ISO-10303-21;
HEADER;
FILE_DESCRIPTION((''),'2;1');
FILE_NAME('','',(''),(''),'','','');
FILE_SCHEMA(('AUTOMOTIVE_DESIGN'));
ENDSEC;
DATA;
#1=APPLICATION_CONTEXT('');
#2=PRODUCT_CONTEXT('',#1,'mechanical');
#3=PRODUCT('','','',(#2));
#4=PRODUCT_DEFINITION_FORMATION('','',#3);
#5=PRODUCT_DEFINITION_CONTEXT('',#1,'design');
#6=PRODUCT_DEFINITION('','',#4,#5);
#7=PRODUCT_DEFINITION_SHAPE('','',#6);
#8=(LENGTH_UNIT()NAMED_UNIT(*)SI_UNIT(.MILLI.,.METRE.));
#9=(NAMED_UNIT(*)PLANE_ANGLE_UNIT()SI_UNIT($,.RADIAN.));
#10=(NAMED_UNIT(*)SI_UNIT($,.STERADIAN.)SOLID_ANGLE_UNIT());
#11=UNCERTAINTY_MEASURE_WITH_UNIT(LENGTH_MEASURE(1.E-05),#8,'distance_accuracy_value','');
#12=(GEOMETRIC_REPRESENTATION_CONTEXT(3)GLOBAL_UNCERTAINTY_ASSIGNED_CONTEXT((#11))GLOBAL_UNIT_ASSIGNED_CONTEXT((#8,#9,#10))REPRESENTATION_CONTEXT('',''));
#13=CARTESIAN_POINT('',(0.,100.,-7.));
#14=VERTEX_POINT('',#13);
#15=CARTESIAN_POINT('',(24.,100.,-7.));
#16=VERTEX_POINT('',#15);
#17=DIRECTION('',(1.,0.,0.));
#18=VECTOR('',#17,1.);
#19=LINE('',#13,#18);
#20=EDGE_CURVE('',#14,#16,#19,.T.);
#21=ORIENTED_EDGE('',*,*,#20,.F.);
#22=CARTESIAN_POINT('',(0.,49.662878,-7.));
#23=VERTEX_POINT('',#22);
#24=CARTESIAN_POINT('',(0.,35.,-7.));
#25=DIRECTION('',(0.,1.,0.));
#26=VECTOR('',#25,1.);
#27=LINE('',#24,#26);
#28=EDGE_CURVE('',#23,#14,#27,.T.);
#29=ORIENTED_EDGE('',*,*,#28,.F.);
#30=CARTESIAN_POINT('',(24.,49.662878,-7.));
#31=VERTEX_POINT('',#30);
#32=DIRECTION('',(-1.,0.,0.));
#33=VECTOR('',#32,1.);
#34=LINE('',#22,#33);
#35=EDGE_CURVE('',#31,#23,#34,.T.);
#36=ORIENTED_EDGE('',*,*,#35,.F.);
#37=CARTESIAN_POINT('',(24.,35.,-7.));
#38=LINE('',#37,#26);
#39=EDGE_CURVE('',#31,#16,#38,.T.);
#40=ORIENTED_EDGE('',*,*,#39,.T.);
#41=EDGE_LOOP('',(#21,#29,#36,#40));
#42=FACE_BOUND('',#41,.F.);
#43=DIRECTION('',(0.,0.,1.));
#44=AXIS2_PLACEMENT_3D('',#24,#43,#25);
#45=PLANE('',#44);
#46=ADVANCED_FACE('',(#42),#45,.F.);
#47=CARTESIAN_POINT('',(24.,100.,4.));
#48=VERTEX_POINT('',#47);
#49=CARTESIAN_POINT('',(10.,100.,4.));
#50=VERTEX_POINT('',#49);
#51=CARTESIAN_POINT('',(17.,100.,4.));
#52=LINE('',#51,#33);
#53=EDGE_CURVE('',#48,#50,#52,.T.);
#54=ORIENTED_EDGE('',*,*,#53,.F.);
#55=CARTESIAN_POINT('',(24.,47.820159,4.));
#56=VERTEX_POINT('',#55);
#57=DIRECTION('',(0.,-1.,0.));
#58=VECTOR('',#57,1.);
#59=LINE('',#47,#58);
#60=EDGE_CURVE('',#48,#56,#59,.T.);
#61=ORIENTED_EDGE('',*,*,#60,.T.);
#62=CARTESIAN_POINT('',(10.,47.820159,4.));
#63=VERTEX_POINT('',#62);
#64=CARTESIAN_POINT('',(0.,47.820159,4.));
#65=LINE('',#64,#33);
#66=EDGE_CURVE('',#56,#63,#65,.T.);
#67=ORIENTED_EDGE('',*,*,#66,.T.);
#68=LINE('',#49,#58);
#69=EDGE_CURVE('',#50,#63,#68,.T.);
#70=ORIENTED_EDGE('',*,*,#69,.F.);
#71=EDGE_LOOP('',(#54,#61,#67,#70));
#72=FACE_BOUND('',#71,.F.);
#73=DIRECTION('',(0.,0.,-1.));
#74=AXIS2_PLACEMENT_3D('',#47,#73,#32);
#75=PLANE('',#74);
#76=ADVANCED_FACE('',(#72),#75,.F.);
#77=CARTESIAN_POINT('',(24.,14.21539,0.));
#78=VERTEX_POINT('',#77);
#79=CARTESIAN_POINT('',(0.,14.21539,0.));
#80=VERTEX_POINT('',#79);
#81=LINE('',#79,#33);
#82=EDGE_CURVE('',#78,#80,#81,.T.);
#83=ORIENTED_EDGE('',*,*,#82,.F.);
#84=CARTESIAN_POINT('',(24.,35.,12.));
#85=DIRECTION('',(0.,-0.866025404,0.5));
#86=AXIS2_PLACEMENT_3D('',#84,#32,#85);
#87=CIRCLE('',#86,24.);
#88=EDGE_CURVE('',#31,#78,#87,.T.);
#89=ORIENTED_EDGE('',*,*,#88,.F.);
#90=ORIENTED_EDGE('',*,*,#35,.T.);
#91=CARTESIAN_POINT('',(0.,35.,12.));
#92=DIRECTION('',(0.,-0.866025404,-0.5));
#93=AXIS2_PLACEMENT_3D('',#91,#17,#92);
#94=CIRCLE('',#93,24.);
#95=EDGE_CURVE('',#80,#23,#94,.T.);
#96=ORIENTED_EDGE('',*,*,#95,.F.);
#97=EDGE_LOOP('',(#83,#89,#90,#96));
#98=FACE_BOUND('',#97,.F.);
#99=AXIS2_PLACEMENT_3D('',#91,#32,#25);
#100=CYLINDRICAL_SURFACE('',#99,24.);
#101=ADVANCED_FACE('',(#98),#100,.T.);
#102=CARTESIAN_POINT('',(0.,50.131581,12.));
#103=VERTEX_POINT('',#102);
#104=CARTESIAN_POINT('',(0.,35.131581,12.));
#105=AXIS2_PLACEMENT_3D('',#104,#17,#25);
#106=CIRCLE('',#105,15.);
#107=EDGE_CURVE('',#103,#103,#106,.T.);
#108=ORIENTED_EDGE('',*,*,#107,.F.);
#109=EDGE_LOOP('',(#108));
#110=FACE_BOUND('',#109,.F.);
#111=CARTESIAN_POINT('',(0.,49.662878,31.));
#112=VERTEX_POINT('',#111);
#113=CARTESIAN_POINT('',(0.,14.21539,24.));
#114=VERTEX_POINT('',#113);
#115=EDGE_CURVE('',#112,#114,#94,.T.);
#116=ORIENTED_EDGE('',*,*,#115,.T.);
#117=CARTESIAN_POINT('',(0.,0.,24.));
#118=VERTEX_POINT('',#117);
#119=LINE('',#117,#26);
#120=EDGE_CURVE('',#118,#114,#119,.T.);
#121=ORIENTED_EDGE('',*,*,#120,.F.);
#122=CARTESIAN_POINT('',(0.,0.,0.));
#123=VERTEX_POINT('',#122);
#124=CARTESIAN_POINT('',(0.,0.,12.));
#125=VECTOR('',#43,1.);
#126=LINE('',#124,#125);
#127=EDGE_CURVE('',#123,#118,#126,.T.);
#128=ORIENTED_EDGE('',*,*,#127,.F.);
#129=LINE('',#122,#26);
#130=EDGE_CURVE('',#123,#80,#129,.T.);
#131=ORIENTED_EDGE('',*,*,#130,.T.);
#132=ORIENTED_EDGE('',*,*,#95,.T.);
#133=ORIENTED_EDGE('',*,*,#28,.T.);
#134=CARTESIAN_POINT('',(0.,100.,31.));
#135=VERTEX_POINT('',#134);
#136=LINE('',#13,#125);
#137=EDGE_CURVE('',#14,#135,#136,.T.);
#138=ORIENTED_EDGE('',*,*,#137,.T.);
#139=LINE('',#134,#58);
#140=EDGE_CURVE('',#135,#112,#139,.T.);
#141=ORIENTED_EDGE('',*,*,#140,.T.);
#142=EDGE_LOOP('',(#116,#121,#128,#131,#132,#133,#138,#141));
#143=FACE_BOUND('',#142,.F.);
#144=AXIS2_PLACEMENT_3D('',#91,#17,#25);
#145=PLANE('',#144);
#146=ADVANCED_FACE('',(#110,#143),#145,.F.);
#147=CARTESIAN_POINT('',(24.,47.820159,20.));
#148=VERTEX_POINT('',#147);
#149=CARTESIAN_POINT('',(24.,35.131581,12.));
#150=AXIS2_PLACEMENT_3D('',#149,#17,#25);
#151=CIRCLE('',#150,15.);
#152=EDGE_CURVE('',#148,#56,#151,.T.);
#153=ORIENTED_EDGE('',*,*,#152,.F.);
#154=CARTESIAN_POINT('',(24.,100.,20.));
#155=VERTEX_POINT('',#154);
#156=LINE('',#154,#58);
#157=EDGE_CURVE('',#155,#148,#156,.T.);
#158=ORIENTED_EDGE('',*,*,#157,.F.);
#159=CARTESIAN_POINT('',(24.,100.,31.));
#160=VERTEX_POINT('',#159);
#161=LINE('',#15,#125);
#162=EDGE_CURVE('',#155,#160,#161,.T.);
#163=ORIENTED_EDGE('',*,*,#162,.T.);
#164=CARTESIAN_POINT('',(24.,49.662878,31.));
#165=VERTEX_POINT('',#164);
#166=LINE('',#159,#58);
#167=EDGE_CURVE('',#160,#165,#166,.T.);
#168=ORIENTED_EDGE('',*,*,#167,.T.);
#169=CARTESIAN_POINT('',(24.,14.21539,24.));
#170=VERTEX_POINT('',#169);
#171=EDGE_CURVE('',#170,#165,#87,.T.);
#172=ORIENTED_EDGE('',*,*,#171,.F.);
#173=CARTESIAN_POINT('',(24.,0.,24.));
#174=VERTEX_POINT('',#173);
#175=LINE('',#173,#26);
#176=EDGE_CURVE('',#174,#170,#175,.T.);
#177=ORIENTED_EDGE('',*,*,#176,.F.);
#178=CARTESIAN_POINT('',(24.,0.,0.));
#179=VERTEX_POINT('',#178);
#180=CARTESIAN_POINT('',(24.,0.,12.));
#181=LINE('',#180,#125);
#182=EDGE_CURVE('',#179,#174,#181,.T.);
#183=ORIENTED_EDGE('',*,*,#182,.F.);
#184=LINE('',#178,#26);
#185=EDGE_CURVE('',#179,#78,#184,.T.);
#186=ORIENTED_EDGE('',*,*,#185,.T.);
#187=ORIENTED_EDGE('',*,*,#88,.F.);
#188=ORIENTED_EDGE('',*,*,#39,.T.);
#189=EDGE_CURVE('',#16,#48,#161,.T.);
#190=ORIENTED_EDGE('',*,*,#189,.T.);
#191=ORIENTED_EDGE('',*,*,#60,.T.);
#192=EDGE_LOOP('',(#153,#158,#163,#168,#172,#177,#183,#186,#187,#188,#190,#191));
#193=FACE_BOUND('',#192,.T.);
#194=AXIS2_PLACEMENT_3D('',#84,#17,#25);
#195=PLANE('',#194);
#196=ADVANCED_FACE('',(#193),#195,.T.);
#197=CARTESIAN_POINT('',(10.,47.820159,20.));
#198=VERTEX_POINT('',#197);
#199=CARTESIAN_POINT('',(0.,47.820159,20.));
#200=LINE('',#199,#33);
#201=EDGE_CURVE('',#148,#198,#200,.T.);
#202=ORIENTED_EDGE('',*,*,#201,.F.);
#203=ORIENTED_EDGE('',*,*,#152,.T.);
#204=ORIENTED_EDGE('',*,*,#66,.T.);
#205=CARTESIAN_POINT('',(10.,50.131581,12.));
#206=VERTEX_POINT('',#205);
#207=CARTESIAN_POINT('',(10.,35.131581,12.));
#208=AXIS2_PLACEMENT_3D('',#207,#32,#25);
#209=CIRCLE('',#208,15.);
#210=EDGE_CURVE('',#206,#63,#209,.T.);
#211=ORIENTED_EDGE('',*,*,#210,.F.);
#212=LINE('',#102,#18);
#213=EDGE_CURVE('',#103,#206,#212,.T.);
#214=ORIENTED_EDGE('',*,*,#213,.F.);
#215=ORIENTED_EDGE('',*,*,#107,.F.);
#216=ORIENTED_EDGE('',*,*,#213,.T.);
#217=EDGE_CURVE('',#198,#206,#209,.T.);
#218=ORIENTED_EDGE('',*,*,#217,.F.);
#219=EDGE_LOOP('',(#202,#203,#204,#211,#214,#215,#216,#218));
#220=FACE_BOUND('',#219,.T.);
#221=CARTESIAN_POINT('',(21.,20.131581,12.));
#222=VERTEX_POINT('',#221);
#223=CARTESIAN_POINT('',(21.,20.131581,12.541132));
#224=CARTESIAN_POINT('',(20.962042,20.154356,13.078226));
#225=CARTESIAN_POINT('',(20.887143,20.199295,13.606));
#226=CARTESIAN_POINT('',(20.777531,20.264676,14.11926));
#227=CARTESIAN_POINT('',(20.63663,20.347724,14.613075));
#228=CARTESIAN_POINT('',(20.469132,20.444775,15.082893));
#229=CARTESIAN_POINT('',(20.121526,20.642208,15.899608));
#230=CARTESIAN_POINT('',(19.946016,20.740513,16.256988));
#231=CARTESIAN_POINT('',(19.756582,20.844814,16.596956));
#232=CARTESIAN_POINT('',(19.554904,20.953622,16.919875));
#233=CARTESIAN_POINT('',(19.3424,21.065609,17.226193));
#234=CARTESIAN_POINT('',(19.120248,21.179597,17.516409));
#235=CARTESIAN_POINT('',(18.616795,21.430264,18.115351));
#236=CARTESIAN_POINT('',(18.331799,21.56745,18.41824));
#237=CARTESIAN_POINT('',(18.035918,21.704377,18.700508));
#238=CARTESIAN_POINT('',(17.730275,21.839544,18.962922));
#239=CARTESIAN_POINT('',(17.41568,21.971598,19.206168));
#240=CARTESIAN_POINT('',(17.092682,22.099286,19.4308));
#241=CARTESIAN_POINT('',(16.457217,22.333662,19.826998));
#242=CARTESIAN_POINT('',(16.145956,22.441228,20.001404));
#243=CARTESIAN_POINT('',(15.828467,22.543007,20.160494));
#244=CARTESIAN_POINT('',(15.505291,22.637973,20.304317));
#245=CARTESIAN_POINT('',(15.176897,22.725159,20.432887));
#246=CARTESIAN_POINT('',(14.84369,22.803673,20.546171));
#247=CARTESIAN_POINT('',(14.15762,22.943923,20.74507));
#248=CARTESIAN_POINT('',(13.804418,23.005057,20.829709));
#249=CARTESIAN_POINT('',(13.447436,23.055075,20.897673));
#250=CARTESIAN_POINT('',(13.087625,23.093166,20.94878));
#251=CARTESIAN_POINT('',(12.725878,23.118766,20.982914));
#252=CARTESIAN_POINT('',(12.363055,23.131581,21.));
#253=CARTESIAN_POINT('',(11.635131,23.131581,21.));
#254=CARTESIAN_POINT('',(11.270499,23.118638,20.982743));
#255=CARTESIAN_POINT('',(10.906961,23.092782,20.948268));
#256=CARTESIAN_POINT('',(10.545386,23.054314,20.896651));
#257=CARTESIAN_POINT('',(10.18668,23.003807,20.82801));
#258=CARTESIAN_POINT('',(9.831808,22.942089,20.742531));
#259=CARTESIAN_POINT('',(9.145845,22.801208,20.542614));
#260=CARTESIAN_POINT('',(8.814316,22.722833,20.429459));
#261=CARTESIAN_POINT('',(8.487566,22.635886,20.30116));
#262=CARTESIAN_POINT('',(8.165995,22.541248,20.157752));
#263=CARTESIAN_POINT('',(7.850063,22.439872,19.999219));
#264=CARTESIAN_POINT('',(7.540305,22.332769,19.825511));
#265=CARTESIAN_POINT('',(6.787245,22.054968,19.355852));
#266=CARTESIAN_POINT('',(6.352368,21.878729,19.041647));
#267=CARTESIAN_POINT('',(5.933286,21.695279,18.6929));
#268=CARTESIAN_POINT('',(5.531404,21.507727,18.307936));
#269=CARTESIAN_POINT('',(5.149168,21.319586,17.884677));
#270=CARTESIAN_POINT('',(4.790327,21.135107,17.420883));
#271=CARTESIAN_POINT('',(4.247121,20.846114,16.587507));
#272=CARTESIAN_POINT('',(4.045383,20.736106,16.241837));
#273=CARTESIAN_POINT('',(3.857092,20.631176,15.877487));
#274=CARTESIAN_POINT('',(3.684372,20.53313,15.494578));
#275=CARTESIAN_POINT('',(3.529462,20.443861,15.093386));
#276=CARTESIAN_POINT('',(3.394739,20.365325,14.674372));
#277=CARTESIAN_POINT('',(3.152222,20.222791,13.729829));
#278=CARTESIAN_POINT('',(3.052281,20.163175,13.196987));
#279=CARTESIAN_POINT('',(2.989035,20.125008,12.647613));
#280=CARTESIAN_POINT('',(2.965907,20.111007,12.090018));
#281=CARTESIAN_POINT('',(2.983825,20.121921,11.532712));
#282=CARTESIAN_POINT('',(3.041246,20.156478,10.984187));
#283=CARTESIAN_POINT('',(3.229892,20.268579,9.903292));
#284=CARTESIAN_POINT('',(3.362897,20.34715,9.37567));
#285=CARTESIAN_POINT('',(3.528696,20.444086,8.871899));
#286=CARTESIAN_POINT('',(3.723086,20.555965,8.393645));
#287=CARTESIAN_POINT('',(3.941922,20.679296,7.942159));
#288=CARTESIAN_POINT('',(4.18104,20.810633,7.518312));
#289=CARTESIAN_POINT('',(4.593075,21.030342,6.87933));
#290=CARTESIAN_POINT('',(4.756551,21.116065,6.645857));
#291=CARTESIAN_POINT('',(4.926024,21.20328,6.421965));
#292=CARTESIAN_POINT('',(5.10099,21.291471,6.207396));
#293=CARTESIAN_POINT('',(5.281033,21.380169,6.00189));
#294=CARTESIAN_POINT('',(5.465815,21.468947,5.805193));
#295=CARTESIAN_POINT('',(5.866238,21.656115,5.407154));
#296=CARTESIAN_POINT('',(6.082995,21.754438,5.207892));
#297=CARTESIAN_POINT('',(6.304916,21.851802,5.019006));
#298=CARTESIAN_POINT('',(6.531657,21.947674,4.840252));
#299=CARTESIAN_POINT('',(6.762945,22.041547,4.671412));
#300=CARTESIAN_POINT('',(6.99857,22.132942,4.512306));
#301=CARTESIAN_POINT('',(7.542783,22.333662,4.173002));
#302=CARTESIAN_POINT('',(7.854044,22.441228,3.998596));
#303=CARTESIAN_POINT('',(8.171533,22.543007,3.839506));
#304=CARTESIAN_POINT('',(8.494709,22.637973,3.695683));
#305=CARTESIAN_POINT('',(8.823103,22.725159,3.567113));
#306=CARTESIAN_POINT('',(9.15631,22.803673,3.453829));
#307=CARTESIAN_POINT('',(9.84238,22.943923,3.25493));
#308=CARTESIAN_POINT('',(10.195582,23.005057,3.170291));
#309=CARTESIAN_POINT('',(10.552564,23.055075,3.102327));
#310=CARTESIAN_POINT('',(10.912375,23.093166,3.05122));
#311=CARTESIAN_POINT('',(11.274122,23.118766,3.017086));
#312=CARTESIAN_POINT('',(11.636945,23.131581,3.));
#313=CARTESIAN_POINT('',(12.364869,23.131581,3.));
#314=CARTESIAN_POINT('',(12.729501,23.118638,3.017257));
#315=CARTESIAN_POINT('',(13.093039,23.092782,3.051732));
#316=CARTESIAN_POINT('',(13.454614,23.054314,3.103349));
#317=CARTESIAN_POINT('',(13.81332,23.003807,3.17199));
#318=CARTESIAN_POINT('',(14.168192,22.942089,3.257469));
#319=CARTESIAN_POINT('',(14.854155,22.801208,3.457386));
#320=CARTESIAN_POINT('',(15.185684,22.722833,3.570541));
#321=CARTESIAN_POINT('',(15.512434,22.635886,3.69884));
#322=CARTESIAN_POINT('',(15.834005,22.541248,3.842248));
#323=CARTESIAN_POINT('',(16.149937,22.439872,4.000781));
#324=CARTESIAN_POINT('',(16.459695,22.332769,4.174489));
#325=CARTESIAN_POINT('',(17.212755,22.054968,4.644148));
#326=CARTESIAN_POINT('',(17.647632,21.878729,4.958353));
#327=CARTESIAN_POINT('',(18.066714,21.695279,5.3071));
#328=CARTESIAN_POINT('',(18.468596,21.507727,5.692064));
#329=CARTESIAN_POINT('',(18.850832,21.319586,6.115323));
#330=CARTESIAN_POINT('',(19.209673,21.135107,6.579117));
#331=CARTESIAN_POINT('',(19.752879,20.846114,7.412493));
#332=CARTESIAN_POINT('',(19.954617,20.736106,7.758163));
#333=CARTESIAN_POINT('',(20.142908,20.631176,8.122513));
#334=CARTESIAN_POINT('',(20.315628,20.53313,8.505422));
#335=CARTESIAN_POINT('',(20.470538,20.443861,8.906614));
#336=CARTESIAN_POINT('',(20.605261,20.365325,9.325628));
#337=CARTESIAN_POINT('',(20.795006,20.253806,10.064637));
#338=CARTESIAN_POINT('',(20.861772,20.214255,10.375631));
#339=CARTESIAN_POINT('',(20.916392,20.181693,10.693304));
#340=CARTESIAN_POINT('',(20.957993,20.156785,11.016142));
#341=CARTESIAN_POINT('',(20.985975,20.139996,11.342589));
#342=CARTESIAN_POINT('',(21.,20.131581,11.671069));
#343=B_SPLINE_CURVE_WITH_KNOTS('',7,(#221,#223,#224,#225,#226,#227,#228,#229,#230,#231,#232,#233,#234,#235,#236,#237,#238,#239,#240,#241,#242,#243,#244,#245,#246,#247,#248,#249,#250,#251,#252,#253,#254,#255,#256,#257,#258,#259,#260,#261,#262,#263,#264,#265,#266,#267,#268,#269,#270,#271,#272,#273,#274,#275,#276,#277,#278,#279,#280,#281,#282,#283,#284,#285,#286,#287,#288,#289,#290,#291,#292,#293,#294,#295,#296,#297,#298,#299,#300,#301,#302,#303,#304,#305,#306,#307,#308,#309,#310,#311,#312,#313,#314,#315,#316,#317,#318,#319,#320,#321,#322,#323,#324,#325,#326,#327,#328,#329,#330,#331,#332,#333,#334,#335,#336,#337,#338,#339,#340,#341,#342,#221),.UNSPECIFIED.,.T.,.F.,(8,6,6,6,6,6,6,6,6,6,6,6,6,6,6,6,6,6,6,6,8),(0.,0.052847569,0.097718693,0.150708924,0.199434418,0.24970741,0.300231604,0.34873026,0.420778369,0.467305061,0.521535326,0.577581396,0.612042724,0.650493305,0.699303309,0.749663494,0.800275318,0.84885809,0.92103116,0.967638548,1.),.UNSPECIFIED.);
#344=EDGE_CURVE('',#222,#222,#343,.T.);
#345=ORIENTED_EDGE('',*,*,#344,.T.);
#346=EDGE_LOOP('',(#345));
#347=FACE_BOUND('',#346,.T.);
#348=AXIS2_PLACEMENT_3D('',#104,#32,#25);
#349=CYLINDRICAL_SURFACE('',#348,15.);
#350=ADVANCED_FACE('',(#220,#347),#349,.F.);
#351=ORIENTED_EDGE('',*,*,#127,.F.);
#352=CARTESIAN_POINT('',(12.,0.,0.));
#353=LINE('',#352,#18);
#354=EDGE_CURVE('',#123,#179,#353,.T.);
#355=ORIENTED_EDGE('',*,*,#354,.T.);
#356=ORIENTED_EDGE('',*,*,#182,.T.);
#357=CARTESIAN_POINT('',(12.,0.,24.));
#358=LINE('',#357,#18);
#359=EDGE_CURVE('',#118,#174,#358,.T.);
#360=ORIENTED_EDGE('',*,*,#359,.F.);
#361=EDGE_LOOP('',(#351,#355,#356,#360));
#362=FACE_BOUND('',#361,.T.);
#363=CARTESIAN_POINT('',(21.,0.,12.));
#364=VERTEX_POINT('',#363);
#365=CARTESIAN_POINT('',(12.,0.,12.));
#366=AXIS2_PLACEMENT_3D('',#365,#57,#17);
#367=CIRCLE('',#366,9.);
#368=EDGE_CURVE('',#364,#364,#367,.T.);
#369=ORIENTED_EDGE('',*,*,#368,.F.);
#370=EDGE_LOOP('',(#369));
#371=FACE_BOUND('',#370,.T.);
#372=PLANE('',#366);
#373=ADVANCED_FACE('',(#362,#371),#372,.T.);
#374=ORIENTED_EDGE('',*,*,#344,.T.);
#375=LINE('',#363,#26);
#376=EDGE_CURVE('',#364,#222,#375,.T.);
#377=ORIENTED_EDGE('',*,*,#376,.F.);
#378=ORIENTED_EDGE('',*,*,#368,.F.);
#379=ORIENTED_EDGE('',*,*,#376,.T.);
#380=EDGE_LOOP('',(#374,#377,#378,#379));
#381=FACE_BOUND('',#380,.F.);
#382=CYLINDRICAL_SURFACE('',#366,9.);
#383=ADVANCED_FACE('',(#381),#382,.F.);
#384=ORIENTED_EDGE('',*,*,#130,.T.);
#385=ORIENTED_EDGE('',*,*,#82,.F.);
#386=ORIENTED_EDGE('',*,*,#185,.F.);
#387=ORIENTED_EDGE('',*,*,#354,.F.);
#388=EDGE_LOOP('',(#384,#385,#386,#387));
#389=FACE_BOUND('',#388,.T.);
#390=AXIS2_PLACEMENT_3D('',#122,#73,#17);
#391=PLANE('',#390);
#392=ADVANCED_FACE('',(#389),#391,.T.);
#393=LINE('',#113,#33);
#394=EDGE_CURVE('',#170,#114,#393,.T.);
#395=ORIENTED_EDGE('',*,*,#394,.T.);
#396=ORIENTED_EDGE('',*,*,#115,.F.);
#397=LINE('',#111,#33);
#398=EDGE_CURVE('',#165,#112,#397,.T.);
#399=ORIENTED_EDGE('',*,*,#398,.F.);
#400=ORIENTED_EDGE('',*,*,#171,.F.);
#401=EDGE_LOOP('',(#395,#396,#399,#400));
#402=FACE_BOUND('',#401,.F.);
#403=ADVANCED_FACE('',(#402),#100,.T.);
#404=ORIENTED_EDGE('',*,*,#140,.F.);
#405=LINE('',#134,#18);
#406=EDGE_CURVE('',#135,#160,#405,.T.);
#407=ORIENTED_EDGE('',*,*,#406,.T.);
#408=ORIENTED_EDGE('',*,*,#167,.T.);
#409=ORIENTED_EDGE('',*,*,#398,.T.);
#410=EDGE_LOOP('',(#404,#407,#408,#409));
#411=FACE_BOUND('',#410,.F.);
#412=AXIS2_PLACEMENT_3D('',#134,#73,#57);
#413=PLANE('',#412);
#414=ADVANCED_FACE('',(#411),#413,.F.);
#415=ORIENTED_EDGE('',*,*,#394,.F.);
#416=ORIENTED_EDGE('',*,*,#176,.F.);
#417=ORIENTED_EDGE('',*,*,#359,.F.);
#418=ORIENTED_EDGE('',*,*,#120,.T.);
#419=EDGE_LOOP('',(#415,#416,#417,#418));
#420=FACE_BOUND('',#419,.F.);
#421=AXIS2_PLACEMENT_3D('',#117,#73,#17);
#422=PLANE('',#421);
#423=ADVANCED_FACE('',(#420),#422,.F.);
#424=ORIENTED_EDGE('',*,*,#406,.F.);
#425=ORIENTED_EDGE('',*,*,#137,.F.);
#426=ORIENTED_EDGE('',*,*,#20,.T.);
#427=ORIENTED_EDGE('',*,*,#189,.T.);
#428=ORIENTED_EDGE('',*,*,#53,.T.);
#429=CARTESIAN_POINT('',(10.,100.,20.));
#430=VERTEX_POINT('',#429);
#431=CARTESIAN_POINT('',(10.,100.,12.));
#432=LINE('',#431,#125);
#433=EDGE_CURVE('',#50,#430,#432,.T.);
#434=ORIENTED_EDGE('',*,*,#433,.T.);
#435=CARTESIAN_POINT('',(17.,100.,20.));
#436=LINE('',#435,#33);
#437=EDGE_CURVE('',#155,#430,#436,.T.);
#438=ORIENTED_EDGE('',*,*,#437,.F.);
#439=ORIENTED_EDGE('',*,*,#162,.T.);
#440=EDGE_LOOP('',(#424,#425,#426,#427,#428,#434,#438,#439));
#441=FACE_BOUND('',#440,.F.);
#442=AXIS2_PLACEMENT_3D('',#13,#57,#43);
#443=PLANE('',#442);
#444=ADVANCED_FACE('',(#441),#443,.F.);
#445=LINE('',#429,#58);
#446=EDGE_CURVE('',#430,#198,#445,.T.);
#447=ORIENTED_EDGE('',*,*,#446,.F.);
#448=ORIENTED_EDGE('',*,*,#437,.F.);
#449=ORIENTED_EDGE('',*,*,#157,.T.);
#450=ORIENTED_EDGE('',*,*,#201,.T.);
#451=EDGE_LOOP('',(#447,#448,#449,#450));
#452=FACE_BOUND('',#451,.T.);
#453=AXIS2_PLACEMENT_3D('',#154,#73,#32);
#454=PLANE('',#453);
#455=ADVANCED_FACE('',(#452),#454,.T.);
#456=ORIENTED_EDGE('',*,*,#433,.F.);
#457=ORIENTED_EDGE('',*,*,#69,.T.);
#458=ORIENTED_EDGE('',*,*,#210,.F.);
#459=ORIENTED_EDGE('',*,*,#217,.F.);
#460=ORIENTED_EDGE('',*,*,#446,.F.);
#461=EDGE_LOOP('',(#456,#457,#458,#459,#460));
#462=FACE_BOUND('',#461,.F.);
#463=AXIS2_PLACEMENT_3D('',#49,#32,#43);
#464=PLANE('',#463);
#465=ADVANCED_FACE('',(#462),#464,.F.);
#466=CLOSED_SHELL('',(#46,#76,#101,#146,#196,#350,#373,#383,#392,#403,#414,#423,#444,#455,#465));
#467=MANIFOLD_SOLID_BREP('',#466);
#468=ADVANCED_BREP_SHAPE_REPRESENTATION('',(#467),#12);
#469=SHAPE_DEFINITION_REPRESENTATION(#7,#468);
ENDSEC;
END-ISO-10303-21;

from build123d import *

# Parameters (mm, degrees)
F0_W      = 24
F0_H      = 24
F1_DEPTH  = 20
F3_R      = 24
F3_R_2    = 15
F4_DEPTH  = 24
F6_DEPTH  = 24
F2_R      = 15
F7_DEPTH  = 24
F8_W      = 14
F8_H      = 16
F9_DEPTH  = 65
F10_R     = 9
F11_DEPTH = 35


with BuildPart() as f1:
    # F0 (on Front) → F1 (new body)
    with BuildSketch(Plane.XZ):
        with Locations((12, 12)):
            Rectangle(F0_W, F0_H)
    extrude(amount=-F1_DEPTH)

    # F3 (on face) → F4 (join)
    with BuildSketch(Plane.YZ):
        with Locations((35, 12)):
            Circle(F3_R)
        with Locations((35.131581, 12)):
            Circle(F3_R_2, mode=Mode.SUBTRACT)
    extrude(amount=F4_DEPTH)

    # F5 (on Right) → F6 (join)
    with BuildSketch(Plane.YZ):
        Polygon((35, 31), (35, 0), (35, -7), (100, -7), (100, 31), align=None)
    extrude(amount=F6_DEPTH)

    # F2 (on Right) → F7 (cut)
    with BuildSketch(Plane.YZ):
        with Locations((35.131581, 12)):
            Circle(F2_R)
    extrude(amount=F7_DEPTH, mode=Mode.SUBTRACT)

    # F8 (on face) → F9 (cut)
    with BuildSketch(Plane(origin=(0, 100, 0), x_dir=(-1, 0, 0), z_dir=(0, 1, 0))):
        with Locations((-17, 12)):
            Rectangle(F8_W, F8_H)
    extrude(amount=-F9_DEPTH, mode=Mode.SUBTRACT)

    # F10 (on face) → F11 (cut)
    with BuildSketch(Plane.XZ):
        with Locations((12, 12)):
            Circle(F10_R)
    extrude(amount=-F11_DEPTH, mode=Mode.SUBTRACT)


solid = f1.part
